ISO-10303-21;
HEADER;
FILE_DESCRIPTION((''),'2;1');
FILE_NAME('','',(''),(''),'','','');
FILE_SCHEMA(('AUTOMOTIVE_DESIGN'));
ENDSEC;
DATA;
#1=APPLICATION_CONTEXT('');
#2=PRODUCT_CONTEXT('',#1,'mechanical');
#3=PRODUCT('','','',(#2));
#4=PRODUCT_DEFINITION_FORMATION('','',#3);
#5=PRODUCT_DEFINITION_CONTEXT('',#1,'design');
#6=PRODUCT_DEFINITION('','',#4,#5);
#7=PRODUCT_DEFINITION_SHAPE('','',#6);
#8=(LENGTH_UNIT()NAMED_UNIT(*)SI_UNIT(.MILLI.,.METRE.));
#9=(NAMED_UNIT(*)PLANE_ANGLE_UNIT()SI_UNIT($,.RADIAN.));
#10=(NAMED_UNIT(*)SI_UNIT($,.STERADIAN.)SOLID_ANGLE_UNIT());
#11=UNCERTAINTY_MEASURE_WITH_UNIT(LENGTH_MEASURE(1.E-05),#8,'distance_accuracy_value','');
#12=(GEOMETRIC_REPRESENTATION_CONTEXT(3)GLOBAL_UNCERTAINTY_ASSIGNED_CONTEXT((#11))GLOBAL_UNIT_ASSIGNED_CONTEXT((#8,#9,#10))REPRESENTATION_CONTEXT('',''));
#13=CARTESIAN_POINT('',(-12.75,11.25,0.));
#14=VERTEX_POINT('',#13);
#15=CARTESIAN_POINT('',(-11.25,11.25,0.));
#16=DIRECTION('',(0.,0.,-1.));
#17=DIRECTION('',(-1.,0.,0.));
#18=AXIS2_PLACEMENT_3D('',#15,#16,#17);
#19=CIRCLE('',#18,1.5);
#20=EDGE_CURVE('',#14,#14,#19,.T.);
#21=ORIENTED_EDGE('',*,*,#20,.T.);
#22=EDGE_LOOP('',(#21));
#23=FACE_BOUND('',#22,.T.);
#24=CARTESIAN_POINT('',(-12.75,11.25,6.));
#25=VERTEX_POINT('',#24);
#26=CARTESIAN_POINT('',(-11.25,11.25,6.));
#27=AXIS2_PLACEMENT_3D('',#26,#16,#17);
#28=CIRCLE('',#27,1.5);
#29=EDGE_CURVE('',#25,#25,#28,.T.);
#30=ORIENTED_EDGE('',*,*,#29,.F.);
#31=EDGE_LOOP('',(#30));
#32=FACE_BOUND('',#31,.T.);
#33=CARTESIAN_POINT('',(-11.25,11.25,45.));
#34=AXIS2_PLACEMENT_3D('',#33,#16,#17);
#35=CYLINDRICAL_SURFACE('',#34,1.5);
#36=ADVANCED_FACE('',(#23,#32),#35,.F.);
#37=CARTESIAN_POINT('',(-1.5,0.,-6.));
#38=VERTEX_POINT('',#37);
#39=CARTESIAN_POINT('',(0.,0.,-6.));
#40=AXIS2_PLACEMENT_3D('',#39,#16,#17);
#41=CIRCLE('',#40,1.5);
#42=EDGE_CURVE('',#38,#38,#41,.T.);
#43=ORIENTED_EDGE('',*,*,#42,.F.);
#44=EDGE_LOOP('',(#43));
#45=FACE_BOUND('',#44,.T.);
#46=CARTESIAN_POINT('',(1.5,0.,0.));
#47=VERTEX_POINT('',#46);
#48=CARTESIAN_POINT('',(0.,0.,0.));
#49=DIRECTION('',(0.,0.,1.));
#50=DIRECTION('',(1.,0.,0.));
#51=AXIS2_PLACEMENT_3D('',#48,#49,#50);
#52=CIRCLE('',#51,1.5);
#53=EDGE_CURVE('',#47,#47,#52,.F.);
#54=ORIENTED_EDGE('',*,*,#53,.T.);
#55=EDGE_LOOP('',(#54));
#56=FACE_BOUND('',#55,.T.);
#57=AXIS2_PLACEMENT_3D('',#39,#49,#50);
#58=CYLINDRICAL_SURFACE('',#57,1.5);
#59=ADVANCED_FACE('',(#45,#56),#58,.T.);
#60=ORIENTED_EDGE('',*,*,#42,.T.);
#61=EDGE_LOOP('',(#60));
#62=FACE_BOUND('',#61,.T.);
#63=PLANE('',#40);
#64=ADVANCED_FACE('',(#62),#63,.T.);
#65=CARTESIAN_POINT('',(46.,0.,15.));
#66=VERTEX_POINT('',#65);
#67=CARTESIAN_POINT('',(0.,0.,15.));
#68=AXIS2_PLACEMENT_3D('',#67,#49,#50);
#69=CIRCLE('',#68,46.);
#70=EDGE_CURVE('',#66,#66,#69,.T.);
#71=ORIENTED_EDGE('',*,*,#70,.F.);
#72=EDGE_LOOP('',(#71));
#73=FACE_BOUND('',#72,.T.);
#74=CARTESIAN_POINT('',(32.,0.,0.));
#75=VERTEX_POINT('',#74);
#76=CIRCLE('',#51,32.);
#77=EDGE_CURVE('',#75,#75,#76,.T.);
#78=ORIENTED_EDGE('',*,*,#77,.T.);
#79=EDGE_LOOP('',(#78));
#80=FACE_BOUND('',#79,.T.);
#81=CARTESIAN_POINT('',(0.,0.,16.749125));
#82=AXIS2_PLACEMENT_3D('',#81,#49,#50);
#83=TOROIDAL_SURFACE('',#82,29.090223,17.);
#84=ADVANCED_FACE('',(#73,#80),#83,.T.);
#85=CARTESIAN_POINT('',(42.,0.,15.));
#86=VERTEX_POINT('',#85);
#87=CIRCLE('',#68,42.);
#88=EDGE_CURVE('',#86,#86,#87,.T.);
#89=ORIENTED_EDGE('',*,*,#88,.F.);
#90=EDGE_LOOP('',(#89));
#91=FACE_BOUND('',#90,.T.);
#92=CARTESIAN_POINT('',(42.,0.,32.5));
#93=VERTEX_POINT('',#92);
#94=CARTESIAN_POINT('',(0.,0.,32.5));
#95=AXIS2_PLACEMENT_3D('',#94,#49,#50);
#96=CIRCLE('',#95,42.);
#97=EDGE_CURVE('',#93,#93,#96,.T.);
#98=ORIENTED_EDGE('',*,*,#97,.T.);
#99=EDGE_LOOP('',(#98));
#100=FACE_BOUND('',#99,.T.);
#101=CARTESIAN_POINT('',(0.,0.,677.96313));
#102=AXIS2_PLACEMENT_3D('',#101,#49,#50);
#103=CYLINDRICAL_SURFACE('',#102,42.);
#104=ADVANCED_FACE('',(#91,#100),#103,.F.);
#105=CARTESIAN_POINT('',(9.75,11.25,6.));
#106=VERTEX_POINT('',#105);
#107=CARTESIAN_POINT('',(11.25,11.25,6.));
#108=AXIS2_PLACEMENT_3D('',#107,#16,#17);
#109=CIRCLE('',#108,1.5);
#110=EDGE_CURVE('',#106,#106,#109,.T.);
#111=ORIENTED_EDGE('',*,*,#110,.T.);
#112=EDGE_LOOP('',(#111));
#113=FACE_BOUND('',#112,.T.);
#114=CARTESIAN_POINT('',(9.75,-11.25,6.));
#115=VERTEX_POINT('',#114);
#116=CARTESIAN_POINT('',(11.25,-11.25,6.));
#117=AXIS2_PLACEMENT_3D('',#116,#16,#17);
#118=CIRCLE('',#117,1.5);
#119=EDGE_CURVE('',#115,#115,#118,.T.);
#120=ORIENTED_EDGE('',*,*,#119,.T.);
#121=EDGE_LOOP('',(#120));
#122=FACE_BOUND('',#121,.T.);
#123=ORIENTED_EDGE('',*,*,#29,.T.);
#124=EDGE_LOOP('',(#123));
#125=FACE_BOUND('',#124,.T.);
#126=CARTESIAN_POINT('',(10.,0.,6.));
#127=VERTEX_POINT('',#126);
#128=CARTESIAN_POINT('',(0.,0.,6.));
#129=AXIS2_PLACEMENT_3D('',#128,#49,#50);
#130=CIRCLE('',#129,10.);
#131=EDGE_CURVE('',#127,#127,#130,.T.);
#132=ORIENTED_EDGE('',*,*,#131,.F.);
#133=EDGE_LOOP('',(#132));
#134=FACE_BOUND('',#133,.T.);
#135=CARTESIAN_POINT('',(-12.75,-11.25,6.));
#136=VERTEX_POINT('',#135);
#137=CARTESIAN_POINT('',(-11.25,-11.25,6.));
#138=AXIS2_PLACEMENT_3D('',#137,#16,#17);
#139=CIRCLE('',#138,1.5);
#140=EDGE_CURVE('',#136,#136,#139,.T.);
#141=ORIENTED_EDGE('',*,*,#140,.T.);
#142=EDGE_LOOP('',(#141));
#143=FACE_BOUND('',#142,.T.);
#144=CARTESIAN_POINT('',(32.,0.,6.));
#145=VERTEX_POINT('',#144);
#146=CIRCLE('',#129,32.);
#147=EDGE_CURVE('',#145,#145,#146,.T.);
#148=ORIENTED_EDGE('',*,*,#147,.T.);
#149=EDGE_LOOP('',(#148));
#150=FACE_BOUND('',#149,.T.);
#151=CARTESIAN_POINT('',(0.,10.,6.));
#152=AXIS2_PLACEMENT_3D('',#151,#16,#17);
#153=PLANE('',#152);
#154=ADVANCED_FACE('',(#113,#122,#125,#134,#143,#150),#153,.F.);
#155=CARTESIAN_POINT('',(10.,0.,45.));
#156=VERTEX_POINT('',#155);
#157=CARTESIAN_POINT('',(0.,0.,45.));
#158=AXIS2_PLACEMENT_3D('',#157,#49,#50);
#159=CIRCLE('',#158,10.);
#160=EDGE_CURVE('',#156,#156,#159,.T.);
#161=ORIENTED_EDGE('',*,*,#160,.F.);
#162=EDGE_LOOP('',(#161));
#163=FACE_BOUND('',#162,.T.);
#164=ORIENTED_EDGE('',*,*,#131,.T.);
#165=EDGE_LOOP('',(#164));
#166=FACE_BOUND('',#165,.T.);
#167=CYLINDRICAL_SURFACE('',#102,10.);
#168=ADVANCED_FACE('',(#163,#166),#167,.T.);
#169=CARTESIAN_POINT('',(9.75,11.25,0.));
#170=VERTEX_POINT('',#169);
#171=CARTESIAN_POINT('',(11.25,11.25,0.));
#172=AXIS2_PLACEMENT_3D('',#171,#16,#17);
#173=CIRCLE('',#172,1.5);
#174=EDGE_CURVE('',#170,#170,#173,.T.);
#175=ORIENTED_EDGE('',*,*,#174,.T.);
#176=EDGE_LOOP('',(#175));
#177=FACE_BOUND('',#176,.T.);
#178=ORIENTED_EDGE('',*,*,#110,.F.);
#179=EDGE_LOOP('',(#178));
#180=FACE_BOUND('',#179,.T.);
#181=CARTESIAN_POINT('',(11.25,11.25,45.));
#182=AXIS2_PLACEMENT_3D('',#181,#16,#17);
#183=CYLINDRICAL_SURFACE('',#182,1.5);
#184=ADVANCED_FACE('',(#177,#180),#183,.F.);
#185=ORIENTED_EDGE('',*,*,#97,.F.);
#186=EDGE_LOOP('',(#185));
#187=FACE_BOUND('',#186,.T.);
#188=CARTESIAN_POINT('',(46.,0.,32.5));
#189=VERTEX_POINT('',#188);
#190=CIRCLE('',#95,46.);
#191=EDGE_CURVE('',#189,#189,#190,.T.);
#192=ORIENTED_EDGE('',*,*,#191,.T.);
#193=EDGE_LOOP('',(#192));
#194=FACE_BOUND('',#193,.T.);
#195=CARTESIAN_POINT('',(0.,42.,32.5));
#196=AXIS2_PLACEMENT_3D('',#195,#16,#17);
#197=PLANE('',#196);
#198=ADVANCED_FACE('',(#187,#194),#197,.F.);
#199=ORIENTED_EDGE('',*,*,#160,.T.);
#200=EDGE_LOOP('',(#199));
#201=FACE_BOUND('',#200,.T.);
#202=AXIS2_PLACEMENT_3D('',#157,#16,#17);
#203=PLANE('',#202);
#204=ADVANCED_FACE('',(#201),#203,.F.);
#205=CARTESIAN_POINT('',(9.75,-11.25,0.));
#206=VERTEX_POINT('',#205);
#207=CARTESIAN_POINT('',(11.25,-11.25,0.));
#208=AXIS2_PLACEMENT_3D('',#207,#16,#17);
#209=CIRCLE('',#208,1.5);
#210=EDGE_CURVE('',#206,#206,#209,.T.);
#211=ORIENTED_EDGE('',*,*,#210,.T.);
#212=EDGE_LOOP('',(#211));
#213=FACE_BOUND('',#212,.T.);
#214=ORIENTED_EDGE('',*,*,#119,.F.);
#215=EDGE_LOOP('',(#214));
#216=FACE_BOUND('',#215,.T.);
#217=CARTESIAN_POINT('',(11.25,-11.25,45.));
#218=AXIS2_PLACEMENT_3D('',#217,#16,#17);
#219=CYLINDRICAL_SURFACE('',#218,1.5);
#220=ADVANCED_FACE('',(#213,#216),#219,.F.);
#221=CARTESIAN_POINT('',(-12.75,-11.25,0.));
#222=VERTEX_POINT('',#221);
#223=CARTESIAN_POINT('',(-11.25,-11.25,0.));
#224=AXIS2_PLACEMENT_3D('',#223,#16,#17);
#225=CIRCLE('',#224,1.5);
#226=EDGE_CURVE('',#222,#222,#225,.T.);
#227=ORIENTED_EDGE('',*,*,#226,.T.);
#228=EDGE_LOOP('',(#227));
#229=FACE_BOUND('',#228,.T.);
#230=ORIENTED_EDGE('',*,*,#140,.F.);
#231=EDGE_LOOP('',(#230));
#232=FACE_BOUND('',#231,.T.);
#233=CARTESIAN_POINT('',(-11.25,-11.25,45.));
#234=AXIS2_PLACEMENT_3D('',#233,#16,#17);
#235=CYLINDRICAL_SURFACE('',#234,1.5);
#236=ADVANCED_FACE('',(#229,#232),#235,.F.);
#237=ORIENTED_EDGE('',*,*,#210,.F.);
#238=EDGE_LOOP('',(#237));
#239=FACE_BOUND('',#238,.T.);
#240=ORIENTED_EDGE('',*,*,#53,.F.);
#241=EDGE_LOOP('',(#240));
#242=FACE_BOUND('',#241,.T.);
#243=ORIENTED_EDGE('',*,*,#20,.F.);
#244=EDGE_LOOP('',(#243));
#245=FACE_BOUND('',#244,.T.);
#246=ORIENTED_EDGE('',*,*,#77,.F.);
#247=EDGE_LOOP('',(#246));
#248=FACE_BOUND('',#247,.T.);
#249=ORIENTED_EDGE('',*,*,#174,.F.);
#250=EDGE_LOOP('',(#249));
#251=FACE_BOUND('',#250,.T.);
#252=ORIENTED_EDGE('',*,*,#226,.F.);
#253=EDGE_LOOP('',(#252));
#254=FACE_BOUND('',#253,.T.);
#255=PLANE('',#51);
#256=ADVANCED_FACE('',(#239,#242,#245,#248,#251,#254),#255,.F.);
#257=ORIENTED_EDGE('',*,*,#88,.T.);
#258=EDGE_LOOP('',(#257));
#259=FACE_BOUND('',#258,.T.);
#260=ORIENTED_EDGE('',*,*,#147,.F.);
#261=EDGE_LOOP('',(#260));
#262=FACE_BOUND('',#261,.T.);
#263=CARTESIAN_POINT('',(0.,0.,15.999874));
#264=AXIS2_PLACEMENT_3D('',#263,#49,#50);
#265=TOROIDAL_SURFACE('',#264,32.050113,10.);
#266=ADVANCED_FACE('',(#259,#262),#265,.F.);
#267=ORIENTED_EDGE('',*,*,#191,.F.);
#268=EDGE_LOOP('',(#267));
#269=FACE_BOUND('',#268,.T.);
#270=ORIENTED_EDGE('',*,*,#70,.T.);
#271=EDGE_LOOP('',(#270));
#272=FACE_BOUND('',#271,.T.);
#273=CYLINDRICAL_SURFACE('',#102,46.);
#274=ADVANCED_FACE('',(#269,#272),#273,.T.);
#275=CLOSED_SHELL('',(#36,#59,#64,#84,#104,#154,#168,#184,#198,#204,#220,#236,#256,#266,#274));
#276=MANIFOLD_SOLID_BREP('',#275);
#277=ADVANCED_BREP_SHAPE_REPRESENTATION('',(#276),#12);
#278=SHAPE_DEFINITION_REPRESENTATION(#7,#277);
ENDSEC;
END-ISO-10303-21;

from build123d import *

# Parameters (mm, degrees)
SKETCH3_R            = 1.5
FIXATION_HOLES_DEPTH = 80.101201002
SKETCH4_R            = 1.5
SHAFT_DEPTH          = 6


with BuildPart() as part:
    # Sketch2 → Body (revolve)
    with BuildSketch(Plane(origin=(0, 0, 0), x_dir=(0, 0, -1), z_dir=(1, 0, 0)), mode=Mode.PRIVATE) as body_sk:
        with BuildLine():
            Line((0, 0), (0, 32))
            ThreePointArc((0, 32), (-5.149715015, 41.518162483), (-15, 46))
            Line((-15, 46), (-32.5, 46))
            Line((-32.5, 46), (-32.5, 42))
            Line((-32.5, 42), (-15, 42))
            ThreePointArc((-15, 42), (-8.566932971, 38.739760326), (-6, 32))
            Line((-6, 32), (-6, 10))
            Line((-6, 10), (-45, 10))
            Line((-45, 10), (-45, 0))
            Line((-45, 0), (0, 0))
        make_face()
    revolve(body_sk.sketch.rotate(Axis((0, 0, 677.96312991), (0, 0, -1)), 90), axis=Axis((0, 0, 677.96312991), (0, 0, -1)))

    # Sketch3 → Fixation_Holes (cut, through all)
    with BuildSketch(Plane(origin=(0, 0, 0), x_dir=(-1, 0, 0), z_dir=(0, 0, -1))):
        with Locations((-11.25, 11.25)):
            Circle(SKETCH3_R)
        with Locations((11.25, 11.25)):
            Circle(SKETCH3_R)
        with Locations((11.25, -11.25)):
            Circle(SKETCH3_R)
        with Locations((-11.25, -11.25)):
            Circle(SKETCH3_R)
    extrude(amount=-FIXATION_HOLES_DEPTH, mode=Mode.SUBTRACT)

    # Sketch4 → Shaft (add)
    with BuildSketch(Plane(origin=(0, 0, 0), x_dir=(-1, 0, 0), z_dir=(0, 0, -1))):
        with Locations(Location((0, 0, 0), (0, 0, 180))):
            Circle(SKETCH4_R)
    extrude(amount=SHAFT_DEPTH)


solid = part.part
